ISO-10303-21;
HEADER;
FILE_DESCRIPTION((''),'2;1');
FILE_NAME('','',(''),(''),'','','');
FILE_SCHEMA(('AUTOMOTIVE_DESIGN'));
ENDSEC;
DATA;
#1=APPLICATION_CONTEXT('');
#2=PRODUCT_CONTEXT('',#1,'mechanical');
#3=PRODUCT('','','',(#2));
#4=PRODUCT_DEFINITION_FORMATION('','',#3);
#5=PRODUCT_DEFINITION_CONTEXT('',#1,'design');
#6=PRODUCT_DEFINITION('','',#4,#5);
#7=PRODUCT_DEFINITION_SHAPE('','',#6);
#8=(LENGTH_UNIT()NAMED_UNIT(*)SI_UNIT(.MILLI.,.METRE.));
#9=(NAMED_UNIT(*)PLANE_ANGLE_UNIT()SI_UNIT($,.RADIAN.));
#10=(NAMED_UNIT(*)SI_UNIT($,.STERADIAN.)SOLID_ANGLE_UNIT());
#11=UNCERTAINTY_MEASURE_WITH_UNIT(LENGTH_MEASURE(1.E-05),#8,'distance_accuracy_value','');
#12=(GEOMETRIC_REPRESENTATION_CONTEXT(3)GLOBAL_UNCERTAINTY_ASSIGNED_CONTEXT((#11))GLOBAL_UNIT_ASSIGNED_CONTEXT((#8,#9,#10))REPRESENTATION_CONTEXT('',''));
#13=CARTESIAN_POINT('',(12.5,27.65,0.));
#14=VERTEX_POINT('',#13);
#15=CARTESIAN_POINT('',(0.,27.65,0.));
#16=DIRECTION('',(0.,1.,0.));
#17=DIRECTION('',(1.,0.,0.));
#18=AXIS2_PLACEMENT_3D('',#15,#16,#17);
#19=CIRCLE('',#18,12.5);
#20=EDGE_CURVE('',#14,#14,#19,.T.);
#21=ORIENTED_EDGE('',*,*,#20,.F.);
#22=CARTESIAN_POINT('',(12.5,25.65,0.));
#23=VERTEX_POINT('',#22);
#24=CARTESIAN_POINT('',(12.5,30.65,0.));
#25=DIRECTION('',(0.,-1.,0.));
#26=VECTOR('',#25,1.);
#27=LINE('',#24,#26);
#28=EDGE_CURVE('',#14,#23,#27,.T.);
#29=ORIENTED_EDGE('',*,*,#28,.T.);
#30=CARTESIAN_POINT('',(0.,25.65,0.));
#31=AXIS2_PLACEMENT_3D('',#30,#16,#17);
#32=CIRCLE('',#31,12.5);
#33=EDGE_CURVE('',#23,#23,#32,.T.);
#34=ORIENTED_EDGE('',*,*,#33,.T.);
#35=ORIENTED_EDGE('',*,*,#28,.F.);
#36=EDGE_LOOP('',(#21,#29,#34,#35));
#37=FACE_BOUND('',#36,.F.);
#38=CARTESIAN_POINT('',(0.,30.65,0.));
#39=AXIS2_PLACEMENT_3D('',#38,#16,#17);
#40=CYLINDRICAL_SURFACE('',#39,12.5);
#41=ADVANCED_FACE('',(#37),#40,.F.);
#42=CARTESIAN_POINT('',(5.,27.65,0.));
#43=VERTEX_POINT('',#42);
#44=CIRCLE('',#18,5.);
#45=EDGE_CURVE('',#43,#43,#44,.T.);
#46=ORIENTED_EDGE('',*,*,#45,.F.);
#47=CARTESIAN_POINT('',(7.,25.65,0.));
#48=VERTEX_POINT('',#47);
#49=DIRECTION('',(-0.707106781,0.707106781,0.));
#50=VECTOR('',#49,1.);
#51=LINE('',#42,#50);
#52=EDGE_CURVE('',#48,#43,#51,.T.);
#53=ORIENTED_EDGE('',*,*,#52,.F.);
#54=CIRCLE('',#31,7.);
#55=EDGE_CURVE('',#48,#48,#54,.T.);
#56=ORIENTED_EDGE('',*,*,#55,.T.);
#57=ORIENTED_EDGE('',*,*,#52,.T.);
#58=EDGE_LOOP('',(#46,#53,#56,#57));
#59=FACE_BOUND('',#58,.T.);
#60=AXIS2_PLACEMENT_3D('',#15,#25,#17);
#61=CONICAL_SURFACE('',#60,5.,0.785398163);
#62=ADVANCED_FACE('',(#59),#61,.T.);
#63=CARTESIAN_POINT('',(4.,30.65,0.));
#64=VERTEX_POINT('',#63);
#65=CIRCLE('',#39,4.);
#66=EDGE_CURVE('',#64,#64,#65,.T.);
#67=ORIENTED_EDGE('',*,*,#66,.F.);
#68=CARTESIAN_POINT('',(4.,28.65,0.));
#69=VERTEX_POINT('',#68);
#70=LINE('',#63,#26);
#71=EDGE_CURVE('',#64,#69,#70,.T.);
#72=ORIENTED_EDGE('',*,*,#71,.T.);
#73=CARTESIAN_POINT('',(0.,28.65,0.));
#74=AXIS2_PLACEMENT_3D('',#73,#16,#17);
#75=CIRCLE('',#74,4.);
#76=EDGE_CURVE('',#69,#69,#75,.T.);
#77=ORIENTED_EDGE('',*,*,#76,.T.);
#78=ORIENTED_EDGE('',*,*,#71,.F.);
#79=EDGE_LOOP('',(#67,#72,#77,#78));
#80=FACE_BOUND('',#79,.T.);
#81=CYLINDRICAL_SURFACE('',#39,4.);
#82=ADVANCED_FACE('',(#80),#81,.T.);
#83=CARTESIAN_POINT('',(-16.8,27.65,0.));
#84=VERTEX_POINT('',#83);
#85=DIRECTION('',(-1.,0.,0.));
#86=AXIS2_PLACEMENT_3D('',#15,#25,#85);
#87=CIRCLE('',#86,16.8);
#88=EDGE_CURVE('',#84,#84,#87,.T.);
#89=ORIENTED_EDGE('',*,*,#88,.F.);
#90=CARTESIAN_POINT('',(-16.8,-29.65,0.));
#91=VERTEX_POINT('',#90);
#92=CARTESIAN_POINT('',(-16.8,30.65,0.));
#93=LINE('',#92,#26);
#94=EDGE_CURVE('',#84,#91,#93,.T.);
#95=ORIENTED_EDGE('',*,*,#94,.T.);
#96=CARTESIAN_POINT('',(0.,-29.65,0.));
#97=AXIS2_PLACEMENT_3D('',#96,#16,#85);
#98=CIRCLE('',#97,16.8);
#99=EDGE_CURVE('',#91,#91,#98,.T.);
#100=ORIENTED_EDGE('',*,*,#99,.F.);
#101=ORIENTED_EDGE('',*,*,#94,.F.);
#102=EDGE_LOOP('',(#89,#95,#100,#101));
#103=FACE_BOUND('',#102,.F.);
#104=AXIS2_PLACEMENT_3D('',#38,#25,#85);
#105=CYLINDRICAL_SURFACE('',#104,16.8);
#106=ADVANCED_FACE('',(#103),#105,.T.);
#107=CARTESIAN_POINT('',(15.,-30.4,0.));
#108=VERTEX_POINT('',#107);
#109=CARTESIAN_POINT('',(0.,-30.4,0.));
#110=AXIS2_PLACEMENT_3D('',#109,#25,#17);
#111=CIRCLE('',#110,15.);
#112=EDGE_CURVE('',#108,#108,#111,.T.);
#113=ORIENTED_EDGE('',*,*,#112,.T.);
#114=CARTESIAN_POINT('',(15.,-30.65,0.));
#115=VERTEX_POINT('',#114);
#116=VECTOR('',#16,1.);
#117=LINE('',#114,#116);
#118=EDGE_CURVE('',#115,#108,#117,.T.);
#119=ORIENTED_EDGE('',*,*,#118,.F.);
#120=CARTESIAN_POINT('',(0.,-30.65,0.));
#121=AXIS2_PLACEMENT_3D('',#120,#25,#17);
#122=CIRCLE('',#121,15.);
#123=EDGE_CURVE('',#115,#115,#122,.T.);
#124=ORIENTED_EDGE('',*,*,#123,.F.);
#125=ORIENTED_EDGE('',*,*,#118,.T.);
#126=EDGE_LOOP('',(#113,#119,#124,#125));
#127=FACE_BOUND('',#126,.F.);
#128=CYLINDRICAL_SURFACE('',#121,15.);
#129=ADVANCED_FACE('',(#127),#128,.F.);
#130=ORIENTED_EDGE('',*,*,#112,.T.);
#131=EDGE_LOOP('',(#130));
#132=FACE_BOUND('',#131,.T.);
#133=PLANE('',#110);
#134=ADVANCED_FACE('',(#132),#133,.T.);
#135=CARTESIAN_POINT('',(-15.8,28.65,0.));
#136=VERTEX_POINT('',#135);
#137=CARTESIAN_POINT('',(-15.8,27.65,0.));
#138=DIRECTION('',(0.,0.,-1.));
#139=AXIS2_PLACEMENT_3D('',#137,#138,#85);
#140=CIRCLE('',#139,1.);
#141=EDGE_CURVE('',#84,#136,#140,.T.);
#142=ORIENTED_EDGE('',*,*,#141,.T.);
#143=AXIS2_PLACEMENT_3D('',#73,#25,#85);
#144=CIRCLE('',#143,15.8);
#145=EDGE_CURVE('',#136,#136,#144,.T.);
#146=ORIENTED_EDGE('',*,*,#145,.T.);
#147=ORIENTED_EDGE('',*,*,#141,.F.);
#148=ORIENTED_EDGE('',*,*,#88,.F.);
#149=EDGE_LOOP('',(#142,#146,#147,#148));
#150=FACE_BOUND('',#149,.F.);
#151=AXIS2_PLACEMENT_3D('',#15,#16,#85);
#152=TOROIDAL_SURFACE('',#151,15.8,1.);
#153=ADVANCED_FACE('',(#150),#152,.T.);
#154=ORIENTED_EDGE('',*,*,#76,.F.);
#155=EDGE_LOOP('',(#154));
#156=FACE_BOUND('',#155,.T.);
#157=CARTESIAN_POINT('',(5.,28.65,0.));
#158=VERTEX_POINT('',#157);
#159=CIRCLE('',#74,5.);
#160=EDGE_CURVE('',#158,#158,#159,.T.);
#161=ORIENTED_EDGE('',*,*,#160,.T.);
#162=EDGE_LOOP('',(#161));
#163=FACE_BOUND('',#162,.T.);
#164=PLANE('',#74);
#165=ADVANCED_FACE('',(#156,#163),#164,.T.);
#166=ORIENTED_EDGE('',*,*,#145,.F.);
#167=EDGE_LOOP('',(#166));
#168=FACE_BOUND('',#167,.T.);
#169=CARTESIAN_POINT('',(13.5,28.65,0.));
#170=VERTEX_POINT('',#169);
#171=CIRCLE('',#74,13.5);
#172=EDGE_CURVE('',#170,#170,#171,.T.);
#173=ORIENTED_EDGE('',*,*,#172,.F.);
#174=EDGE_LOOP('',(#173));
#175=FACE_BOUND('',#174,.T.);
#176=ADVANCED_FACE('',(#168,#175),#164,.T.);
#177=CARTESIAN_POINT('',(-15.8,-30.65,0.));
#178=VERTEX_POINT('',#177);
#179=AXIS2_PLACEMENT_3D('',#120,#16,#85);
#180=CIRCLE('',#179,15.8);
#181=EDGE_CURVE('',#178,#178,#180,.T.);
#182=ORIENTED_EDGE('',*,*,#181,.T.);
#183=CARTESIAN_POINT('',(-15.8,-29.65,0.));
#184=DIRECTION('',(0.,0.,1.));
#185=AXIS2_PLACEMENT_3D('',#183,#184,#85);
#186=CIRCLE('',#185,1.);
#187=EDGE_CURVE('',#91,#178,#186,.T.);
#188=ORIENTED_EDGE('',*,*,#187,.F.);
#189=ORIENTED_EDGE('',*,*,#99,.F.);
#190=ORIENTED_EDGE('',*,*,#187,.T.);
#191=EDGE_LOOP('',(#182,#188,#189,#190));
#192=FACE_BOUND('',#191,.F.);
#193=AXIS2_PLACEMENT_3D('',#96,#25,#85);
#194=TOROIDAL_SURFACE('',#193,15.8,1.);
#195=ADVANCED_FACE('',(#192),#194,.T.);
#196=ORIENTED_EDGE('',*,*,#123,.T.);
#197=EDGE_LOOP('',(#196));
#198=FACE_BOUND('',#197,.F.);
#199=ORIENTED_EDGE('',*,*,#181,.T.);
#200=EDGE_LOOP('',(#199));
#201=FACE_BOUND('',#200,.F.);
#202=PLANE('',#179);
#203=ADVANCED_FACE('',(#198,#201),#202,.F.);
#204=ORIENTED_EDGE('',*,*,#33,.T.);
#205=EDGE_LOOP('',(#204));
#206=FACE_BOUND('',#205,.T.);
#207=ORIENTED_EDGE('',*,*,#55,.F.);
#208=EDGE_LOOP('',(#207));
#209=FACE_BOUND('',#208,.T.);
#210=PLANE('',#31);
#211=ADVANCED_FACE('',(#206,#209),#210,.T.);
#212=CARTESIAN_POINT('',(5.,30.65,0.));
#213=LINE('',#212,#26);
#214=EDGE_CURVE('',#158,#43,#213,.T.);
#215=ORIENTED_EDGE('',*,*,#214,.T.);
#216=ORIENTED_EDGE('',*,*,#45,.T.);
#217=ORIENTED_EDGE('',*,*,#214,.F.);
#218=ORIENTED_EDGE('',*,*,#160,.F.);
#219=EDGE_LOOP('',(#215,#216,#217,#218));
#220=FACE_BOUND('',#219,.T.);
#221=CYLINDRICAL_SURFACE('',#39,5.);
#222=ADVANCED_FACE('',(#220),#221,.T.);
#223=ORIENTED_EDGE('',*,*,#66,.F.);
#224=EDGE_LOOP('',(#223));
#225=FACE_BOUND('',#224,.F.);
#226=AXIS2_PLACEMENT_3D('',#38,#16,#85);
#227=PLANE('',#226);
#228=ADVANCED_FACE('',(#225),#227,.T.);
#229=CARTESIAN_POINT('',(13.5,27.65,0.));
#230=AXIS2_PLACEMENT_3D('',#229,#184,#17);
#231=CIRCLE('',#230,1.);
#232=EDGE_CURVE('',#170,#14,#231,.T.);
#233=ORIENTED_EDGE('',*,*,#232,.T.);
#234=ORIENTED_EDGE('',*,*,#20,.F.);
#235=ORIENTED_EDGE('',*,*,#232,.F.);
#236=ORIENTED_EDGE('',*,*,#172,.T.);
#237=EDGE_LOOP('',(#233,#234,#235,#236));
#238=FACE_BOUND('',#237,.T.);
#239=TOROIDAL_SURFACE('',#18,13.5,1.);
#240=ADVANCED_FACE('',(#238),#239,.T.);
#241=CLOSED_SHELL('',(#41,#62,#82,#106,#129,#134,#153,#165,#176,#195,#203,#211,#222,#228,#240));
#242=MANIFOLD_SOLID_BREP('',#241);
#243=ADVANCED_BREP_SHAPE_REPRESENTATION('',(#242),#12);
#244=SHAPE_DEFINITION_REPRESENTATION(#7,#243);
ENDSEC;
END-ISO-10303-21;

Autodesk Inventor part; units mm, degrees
ref_plane "YZ Plane" through (0, 0, 0) normal (1, 0, 0) x (0, 1, 0)
ref_plane "XZ Plane" through (0, 0, 0) normal (0, 1, 0) x (-1, 0, 0)
ref_plane "XY Plane" through (0, 0, 0) normal (0, 0, 1) x (1, 0, 0)
sketch "Sketch1" plane through (0, 0, 0) normal (0, 0, 1) x (1, 0, 0)
  line L0 (-16.8, -30.65) -> (0, -30.65)
  line L1 (0, -30.65) -> (0, 30.65)
  line L2 (0, 30.65) -> (-16.8, 30.65)
  line L3 (-16.8, 30.65) -> (-16.8, -30.65)
  point P0 (0, 0)
  point P1 (0, 0)
  dimension "d0" = 16.8
  dimension "d1" = 61.3
revolve "Revolution1" add sketch "Sketch1" angle 360 about axis through (0, -30.65, 0) along (0, 1, 0)
sketch "Sketch2" plane through (0, 30.65, 0) normal (0, 1, 0) x (1, 0, 0)
  circle A0 centre (0, 0) radius 16.8 projected
  circle A1 centre (0, 0) radius 12.5
  circle A2 centre (0, 0) radius 5
  dimension "d3" = 10
  dimension "d4" = 7.5
extrude "Extrusion1" cut sketch "Sketch2" against normal blind 5 contours A1
sketch "Sketch3" plane through (0, 30.65, 0) normal (0, 1, 0) x (1, 0, 0)
  circle A0 centre (0, 0) radius 16.8 projected
  circle A1 centre (0, 0) radius 12.5 projected
extrude "Extrusion2" cut sketch "Sketch3" against normal blind 2
fillet "Fillet1" radius 1 3 edges at (16.8, -30.65, 0) (16.8, 28.65, 0) (-12.5, 28.65, 0)
sketch "Sketch4" plane through (0, 30.65, 0) normal (0, 1, 0) x (1, 0, 0)
  circle A0 centre (0, 0) radius 5 projected
  circle A1 centre (0, 0) radius 4
  dimension "d10" = 1
extrude "Extrusion3" cut sketch "Sketch4" against normal blind 2
chamfer "Chamfer1" distance 2 angle 45 1 edges at (-5, 25.65, 0)
sketch "Sketch5" plane through (0, -30.65, 0) normal (0, -1, 0) x (1, 0, 0)
  circle A0 centre (0, 0) radius 15.8 projected
  circle A1 centre (0, 0) radius 15
  dimension "d16" = 30
extrude "Extrusion4" cut sketch "Sketch5" against normal blind 0.25 contours A1
properties part number "D Cell"
